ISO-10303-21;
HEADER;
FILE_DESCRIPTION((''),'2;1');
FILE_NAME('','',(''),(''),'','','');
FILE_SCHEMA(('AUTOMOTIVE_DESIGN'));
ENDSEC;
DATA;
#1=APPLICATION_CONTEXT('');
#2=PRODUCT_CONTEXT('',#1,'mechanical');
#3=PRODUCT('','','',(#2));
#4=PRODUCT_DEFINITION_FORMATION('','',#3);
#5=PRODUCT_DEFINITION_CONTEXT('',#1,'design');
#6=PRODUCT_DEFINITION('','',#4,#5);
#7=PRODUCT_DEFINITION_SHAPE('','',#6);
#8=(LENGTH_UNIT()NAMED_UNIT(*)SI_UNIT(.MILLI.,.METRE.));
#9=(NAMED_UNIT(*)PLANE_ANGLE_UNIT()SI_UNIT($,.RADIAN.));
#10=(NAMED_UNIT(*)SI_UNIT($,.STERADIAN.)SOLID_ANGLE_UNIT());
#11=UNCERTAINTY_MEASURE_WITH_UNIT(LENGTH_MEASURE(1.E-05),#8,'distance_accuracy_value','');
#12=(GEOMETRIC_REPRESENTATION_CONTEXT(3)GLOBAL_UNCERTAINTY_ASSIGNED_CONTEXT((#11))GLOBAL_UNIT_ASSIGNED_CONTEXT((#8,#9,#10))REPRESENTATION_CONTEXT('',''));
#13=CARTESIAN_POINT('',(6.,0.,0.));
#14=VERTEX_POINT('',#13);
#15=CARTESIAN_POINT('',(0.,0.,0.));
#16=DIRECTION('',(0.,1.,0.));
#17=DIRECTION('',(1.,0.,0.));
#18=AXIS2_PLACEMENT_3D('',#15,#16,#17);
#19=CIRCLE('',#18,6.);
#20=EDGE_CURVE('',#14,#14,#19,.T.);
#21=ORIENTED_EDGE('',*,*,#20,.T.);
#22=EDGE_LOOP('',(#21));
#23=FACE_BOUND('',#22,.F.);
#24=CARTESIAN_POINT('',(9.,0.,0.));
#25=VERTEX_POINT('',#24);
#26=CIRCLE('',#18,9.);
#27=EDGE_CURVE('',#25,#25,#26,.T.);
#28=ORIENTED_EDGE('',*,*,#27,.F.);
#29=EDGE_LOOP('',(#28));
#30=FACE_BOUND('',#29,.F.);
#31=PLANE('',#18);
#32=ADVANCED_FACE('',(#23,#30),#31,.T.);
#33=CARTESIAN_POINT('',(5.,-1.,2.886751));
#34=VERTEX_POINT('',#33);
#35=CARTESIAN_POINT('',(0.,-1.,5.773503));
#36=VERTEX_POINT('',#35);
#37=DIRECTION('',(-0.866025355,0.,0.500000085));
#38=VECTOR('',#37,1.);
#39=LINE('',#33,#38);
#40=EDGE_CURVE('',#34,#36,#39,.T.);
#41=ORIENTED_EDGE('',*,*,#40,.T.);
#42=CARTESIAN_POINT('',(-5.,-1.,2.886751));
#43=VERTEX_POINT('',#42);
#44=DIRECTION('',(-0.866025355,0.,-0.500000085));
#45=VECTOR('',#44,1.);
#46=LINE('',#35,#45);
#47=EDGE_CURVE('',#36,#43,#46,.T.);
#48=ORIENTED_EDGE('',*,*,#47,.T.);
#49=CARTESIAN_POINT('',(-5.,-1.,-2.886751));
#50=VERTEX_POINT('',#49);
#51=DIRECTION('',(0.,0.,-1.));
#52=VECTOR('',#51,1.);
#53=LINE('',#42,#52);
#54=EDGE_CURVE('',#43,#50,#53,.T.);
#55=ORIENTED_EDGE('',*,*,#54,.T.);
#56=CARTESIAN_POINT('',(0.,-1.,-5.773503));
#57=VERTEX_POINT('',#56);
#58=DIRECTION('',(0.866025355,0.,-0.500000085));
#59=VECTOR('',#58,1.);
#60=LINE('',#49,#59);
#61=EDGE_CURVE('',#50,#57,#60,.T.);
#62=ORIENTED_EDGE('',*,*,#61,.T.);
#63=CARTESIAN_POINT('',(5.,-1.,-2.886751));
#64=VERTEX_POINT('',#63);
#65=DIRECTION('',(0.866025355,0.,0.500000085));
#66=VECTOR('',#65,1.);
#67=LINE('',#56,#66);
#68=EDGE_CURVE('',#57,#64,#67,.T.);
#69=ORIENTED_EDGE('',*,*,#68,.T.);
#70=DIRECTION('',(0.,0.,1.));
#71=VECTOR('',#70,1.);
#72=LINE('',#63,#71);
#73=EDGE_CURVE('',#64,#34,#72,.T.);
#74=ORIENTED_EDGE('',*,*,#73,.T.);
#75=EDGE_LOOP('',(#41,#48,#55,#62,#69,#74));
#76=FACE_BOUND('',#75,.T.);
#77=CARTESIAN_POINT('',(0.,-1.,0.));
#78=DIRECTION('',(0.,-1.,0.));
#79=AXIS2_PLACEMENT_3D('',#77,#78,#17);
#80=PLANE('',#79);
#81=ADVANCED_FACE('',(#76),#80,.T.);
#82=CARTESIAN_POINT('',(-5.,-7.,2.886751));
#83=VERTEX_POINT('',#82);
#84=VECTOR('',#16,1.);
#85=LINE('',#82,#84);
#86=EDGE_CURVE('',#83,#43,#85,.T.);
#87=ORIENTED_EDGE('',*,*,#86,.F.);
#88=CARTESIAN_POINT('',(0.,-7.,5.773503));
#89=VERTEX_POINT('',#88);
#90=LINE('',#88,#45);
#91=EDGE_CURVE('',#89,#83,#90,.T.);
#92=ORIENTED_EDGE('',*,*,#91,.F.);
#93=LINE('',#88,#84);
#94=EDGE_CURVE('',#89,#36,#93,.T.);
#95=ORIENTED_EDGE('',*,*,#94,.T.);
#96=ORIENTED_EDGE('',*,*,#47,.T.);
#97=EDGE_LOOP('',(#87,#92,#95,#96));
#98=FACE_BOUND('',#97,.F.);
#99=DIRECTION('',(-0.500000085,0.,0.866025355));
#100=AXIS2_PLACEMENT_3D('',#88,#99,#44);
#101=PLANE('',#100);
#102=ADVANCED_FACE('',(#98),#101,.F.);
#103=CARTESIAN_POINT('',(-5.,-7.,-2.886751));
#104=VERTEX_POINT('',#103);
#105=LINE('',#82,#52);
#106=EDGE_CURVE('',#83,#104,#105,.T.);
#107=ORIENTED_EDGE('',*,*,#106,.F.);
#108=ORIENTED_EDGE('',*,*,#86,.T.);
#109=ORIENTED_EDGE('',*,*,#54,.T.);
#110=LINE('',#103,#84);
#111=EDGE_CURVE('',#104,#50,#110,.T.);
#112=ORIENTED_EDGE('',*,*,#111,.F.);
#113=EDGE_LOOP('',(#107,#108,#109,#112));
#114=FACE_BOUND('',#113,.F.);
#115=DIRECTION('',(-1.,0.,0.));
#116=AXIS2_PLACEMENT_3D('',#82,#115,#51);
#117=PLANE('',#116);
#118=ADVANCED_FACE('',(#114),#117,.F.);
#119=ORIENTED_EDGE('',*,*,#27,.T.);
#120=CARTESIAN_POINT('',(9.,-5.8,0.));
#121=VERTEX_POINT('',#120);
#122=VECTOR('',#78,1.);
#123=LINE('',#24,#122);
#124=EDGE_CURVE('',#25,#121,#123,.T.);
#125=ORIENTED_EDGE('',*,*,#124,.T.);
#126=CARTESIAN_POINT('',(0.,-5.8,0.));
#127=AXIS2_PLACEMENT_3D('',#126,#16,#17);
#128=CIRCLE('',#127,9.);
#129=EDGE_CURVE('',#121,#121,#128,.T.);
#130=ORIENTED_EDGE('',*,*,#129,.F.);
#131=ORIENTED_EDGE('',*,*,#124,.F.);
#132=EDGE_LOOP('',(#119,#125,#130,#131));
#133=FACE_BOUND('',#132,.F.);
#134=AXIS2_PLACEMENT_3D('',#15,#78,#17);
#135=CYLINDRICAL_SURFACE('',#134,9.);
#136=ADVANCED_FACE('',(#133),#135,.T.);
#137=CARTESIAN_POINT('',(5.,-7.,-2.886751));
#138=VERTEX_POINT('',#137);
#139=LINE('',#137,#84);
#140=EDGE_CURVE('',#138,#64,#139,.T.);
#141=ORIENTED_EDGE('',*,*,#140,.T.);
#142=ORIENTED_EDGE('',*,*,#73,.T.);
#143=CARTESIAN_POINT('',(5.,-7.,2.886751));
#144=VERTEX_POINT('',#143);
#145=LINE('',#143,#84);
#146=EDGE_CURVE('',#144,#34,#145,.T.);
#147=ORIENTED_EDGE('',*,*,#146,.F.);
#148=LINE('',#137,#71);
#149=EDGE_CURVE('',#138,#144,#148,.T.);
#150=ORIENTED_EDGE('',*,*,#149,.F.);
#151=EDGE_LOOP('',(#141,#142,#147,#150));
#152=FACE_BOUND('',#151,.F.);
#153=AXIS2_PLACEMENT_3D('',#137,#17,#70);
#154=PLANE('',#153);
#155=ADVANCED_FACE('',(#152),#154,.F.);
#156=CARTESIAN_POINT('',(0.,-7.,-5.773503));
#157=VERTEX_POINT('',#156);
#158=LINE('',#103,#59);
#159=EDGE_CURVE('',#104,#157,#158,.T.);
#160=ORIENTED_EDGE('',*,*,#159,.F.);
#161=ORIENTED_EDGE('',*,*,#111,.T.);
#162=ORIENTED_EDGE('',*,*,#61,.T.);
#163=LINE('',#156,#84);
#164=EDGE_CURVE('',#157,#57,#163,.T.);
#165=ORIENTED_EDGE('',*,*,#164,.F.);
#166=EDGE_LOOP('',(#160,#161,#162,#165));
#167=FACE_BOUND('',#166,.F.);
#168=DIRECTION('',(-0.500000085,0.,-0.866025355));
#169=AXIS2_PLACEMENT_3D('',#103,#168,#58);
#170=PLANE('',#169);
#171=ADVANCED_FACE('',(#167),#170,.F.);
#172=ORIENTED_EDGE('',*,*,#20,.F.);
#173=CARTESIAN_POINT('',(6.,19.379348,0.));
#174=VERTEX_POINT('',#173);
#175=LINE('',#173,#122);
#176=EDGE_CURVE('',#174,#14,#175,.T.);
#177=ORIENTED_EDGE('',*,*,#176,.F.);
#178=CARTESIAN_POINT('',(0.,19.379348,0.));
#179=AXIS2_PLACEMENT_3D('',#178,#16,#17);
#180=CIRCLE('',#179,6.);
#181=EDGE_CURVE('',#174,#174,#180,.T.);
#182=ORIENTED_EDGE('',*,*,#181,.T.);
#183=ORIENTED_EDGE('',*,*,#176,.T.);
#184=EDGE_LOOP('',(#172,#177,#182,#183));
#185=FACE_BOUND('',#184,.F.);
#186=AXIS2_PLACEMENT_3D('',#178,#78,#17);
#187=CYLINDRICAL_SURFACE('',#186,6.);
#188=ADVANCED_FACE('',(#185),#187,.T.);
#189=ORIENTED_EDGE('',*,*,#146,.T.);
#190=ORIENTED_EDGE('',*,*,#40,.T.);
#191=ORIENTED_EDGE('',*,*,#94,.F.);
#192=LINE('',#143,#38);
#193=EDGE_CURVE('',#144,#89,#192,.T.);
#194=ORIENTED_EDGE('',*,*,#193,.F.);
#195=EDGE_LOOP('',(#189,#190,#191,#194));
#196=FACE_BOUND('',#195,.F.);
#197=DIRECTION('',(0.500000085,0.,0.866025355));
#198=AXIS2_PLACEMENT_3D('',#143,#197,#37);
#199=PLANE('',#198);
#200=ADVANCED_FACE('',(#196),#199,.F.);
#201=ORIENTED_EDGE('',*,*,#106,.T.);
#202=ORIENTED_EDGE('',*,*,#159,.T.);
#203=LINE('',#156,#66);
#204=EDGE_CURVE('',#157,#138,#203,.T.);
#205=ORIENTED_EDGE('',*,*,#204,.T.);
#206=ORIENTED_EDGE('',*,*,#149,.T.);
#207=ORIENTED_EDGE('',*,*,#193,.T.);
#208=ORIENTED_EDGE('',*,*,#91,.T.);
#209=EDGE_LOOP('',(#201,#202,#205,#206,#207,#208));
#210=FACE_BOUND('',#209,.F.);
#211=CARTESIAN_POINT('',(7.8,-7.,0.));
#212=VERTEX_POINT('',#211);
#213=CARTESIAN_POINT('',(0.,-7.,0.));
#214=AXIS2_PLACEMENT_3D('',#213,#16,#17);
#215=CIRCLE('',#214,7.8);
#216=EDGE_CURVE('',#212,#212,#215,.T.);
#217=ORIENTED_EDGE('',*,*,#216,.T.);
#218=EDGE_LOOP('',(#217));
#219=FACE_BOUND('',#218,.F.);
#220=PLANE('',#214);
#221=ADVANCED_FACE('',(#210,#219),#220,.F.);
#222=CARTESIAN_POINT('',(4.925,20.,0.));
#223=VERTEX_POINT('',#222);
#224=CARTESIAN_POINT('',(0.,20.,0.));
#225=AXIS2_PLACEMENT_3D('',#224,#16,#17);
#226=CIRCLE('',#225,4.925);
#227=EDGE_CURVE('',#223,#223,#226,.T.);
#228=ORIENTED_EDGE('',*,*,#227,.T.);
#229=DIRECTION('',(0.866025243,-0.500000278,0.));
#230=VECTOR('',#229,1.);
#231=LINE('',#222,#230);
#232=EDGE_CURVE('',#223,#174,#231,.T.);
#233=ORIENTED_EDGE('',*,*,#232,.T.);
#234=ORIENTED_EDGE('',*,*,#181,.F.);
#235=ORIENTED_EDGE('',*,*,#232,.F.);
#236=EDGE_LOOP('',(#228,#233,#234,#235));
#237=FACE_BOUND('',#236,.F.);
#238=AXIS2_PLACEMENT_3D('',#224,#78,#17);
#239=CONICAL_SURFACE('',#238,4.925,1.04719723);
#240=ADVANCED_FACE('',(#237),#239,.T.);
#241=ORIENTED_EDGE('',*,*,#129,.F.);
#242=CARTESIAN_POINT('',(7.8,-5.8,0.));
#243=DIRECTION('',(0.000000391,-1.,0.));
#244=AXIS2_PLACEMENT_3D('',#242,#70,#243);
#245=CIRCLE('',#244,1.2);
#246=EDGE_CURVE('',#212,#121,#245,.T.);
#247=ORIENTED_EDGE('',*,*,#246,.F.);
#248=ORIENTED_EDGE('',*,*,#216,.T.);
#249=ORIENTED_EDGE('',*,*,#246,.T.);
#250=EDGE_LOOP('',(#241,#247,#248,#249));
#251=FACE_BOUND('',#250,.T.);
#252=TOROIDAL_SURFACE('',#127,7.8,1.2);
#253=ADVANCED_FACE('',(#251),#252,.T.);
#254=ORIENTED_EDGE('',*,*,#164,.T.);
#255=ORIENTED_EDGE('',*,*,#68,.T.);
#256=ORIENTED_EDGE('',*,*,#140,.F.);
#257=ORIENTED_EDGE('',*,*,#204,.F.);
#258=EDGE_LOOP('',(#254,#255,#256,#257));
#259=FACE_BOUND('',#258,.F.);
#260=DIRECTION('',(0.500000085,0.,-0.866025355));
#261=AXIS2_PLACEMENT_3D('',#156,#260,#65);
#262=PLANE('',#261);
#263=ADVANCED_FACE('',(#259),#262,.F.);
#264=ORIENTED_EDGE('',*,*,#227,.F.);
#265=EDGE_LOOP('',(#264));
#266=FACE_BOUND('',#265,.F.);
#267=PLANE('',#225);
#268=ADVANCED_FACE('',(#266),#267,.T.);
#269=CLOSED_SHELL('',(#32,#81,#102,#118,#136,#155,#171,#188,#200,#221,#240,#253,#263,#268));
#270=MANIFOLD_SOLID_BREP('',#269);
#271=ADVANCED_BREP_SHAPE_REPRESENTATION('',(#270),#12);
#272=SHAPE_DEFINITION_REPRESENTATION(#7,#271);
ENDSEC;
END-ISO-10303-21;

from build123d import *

# Parameters (mm, degrees)
POCKET_DEPTH = 6


with BuildPart() as part:
    # Sketch → Revolution (revolve)
    with BuildSketch(Plane.XY):
        with BuildLine():
            Line((6, 0), (9, 0))
            Line((9, 0), (9, -5.8))
            ThreePointArc((7.8, -7), (8.648528, -6.648528), (9, -5.8))
            Line((7.8, -7), (0, -7))
            Line((0, -7), (0, 20))
            Line((0, 20), (4.925, 20))
            Line((4.925, 20), (6, 19.379348))
            Line((6, 19.379348), (6, 0))
        make_face()
    revolve(axis=Axis((0, 0, 0), (0, 1, 0)))

    # Sketch001 → Pocket (cut)
    with BuildSketch(Plane.XZ.offset(7)):
        Polygon((-5, 2.886751), (-5, -2.886751), (0, -5.773503), (5, -2.886751), (5, 2.886751), (0, 5.773503), align=None)
    extrude(amount=-POCKET_DEPTH, mode=Mode.SUBTRACT)


solid = part.part
